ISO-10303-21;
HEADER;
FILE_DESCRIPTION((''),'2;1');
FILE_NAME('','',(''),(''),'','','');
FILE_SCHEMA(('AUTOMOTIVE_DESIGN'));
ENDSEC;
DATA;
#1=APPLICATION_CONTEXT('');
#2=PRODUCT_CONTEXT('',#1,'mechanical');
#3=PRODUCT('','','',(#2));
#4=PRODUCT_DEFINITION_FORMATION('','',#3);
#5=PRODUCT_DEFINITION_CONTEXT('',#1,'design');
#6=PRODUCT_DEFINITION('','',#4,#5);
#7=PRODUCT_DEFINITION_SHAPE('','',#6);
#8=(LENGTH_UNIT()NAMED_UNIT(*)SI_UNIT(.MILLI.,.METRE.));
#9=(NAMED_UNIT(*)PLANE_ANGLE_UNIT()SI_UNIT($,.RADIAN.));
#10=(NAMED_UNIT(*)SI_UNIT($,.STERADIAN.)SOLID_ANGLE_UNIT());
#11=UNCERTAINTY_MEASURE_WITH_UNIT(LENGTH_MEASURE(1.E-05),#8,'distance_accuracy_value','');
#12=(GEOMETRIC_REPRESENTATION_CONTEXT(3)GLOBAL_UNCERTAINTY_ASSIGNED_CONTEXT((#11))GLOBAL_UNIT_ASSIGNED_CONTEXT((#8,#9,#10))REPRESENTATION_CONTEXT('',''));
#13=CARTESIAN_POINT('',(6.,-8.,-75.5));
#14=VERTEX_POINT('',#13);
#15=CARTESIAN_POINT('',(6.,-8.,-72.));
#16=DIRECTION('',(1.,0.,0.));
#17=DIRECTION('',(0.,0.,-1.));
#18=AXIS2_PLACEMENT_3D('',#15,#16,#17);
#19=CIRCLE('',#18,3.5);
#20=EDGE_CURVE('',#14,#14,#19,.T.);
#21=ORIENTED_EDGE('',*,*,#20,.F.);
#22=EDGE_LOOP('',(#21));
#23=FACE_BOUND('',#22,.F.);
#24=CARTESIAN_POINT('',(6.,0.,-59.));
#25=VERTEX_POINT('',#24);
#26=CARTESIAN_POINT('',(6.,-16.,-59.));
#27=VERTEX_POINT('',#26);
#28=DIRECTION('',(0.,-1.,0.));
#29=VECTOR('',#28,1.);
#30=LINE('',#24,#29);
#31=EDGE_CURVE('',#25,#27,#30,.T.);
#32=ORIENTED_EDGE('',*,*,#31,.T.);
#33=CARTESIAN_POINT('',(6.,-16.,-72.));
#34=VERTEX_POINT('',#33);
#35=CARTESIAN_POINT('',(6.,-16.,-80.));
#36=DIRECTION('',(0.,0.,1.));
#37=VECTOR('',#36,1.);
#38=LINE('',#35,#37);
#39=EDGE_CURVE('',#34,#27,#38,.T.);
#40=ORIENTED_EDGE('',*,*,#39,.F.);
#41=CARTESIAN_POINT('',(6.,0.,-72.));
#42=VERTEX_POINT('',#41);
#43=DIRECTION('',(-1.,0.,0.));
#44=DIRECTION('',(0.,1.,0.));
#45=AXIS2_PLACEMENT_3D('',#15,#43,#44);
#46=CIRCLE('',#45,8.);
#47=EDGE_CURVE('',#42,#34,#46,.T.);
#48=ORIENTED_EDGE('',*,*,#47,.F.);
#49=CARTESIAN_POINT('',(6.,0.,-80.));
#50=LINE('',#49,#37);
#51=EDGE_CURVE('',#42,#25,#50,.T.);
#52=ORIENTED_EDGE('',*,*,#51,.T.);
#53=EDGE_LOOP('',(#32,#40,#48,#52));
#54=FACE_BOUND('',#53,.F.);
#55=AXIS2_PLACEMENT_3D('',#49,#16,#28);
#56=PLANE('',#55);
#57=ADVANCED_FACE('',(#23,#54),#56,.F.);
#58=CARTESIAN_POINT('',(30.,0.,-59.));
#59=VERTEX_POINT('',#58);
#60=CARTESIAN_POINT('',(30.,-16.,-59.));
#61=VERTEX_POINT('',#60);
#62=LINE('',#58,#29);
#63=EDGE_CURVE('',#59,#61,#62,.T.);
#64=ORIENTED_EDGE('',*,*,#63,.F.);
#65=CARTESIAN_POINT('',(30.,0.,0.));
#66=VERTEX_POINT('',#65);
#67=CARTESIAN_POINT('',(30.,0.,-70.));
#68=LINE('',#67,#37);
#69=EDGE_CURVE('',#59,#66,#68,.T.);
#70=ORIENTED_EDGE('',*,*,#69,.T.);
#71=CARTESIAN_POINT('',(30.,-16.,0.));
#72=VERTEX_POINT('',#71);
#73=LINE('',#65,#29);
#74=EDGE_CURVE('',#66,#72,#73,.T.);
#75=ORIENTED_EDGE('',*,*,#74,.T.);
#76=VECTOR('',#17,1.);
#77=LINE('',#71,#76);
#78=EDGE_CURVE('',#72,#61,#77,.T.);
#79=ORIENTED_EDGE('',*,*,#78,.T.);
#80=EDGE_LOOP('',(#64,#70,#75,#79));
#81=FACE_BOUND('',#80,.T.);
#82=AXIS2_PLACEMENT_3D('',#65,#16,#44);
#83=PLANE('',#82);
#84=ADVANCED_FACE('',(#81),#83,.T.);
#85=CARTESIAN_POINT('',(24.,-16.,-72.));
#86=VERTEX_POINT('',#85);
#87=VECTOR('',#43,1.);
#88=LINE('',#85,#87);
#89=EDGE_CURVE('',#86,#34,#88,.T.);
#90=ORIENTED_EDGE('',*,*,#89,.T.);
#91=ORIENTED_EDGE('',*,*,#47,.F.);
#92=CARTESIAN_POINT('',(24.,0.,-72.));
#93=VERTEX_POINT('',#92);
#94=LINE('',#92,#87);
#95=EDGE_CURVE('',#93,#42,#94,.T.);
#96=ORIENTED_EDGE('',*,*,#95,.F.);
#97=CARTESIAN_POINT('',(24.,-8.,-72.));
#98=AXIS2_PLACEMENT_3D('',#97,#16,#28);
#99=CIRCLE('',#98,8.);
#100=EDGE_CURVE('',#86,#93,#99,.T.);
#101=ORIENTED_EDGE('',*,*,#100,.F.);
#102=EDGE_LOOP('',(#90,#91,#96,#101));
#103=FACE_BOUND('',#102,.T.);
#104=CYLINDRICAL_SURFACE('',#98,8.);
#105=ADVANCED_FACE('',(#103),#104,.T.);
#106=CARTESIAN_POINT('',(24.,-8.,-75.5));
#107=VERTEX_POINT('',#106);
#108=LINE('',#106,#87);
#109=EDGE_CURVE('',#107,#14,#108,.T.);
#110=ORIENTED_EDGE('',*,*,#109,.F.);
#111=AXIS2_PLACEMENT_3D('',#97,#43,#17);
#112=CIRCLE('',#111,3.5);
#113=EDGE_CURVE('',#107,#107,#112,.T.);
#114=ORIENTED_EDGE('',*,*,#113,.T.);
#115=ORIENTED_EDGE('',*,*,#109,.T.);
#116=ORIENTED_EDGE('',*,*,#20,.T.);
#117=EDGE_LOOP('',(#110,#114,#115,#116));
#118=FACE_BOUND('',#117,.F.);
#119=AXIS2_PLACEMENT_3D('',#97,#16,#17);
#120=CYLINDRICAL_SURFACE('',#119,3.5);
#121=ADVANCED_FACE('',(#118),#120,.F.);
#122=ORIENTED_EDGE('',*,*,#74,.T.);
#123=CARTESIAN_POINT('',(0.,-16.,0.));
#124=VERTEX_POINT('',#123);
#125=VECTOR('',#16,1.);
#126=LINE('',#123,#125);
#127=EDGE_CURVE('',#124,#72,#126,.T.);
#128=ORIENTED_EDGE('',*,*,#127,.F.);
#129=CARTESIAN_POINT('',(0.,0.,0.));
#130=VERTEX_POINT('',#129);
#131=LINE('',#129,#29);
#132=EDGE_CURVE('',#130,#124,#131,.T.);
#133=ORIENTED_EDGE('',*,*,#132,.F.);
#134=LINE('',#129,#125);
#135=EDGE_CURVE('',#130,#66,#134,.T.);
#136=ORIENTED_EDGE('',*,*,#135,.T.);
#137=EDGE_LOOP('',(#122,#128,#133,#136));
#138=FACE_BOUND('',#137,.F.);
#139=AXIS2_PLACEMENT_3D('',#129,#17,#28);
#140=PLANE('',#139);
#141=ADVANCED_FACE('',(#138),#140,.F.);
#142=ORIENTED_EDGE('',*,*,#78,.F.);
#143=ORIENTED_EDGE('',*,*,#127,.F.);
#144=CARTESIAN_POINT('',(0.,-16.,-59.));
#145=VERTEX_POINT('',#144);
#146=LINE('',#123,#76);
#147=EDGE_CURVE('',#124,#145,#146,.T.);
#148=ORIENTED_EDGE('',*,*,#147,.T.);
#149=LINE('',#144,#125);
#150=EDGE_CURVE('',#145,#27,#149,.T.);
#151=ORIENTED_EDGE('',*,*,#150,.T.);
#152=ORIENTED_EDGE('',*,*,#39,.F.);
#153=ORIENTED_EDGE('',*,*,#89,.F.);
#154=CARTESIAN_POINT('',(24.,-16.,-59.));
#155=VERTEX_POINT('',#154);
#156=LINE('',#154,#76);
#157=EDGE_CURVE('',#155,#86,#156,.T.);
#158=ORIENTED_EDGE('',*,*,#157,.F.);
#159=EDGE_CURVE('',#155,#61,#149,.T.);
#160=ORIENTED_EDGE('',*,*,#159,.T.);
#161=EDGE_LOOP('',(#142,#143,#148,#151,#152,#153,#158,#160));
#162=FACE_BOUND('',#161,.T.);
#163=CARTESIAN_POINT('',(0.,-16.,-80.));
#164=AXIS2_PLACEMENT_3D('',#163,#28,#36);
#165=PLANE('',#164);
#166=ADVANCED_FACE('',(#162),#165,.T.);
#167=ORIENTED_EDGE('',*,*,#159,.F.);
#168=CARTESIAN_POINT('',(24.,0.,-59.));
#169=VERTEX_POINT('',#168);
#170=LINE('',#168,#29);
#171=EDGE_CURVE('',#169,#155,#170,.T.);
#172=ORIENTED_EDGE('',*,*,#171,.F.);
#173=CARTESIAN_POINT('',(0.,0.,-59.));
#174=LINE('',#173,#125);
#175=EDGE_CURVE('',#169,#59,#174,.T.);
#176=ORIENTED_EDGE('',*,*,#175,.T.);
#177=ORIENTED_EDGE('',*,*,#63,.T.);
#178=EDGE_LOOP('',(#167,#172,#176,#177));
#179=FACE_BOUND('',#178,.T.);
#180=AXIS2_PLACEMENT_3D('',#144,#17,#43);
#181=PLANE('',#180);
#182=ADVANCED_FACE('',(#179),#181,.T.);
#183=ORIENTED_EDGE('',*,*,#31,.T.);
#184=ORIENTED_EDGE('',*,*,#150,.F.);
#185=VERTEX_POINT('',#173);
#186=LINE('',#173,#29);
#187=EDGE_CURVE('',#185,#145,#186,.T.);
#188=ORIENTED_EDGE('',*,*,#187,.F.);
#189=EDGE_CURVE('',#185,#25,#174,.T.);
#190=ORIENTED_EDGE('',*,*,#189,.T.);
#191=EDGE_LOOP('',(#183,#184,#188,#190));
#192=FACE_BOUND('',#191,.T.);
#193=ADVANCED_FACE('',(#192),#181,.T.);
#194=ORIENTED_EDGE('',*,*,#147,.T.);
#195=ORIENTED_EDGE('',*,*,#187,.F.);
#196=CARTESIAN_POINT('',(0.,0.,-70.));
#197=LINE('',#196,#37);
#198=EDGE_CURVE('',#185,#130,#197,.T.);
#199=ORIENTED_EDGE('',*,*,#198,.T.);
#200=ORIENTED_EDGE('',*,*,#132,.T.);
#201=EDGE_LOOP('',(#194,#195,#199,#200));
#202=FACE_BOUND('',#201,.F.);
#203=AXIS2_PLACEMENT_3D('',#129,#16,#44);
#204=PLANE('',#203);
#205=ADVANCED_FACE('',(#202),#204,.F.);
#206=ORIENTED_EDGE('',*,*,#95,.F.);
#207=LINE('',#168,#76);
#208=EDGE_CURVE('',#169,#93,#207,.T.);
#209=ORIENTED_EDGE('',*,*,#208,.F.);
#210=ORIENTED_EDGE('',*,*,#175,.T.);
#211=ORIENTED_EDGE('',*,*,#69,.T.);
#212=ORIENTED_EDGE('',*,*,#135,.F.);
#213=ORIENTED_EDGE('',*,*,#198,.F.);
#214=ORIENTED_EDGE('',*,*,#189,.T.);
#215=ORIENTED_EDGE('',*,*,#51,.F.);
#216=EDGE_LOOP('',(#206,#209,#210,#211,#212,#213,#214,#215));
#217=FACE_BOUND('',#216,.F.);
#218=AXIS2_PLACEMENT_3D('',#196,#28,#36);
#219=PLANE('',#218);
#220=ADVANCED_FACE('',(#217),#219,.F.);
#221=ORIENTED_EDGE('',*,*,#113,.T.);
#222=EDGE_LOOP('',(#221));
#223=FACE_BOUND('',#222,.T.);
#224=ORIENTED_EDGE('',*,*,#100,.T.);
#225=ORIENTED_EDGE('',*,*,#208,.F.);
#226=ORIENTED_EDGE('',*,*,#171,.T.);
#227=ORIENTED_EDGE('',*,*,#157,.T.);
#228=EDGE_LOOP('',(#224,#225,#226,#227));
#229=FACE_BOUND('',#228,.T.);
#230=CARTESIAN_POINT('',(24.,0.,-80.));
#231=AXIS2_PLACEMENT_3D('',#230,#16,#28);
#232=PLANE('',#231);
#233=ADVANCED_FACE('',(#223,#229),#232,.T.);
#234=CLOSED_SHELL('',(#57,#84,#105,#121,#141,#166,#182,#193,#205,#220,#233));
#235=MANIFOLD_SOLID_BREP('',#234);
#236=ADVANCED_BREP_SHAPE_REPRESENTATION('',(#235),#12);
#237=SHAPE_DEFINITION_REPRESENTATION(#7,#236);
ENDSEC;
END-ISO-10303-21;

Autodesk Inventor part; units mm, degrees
ref_plane "YZ Plane" through (0, 0, 0) normal (1, 0, 0) x (0, 1, 0)
ref_plane "XZ Plane" through (0, 0, 0) normal (0, 1, 0) x (-1, 0, 0)
ref_plane "XY Plane" through (0, 0, 0) normal (0, 0, 1) x (1, 0, 0)
sketch "Boceto1" plane through (0, 0, 0) normal (1, 0, 0) x (0, 1, 0)
  line L0 (0, 0) -> (-16, 0)
  line L1 (-16, 0) -> (-16, -70)
  line L2 (0, -70) -> (0, 0)
  line L3 (0, -70) -> (0, -80)
  line L4 (0, -80) -> (-16, -80)
  line L5 (-16, -80) -> (-16, -70)
  dimension "d0" = 16
  dimension "d1" = 70
  dimension "d2" = 10
extrude "Extrusión1" add sketch "Boceto1" along normal blind 30
sketch "Boceto2" plane through (0, -16, -80) normal (0, 0, -1) x (-1, 0, 0)
  line L0 (0, 16) -> (-30, 16) projected
  line L1 (-15, 16) -> (-24, 16)
  line L2 (-24, 16) -> (-24, 0)
  line L3 (0, 0) -> (-30, 0) projected
  line L4 (-24, 0) -> (-30, 0)
  line L5 (-30, 16) -> (-30, 0) projected
  line L6 (-30, 0) -> (-30, 16)
  line L7 (-30, 16) -> (-24, 16)
  line L8 (-15, 16) -> (-6, 16)
  line L9 (-6, 16) -> (-6, 0)
  line L10 (0, 16) -> (0, 0) projected
  line L11 (-6, 0) -> (0, 0)
  line L12 (0, 0) -> (0, 16)
  line L13 (0, 16) -> (-6, 16)
  dimension "d5" = 9
  dimension "d6" = 9
extrude "Extrusión2" cut sketch "Boceto2" against normal blind 21 contours L10 L3 L9 L0 | L2 L3 L5 L0
sketch "Boceto3" plane through (24, -16, -80) normal (1, 0, 0) x (0, 0, -1)
  line L0 (-21, 16) -> (0, 16) projected
  line L1 (0, 16) -> (-8, 16)
  line L2 (-8, 16) -> (-8, 0)
  line L3 (0, 0) -> (-21, 0) projected
  arc A0 (-8, 0) -> (-8, 16) centre (-8, 8) ccw
  circle A1 centre (-8, 8) radius 3.5
  line L4 (0, 16) -> (0, 8)
  line L5 (0, 16) -> (0, 0) projected
  line L6 (0, 8) -> (0, 0)
  line L7 (0, 0) -> (-8, 0)
  point P0 (-80, 16)
  dimension "d9" = 8
  dimension "d10" = 7
extrude "Extrusión3" cut sketch "Boceto3" against normal blind 18 contours L0 L4 A0 | A1 L2 | L2 A1 | L5 L3 A0
properties part number "finger_long"
